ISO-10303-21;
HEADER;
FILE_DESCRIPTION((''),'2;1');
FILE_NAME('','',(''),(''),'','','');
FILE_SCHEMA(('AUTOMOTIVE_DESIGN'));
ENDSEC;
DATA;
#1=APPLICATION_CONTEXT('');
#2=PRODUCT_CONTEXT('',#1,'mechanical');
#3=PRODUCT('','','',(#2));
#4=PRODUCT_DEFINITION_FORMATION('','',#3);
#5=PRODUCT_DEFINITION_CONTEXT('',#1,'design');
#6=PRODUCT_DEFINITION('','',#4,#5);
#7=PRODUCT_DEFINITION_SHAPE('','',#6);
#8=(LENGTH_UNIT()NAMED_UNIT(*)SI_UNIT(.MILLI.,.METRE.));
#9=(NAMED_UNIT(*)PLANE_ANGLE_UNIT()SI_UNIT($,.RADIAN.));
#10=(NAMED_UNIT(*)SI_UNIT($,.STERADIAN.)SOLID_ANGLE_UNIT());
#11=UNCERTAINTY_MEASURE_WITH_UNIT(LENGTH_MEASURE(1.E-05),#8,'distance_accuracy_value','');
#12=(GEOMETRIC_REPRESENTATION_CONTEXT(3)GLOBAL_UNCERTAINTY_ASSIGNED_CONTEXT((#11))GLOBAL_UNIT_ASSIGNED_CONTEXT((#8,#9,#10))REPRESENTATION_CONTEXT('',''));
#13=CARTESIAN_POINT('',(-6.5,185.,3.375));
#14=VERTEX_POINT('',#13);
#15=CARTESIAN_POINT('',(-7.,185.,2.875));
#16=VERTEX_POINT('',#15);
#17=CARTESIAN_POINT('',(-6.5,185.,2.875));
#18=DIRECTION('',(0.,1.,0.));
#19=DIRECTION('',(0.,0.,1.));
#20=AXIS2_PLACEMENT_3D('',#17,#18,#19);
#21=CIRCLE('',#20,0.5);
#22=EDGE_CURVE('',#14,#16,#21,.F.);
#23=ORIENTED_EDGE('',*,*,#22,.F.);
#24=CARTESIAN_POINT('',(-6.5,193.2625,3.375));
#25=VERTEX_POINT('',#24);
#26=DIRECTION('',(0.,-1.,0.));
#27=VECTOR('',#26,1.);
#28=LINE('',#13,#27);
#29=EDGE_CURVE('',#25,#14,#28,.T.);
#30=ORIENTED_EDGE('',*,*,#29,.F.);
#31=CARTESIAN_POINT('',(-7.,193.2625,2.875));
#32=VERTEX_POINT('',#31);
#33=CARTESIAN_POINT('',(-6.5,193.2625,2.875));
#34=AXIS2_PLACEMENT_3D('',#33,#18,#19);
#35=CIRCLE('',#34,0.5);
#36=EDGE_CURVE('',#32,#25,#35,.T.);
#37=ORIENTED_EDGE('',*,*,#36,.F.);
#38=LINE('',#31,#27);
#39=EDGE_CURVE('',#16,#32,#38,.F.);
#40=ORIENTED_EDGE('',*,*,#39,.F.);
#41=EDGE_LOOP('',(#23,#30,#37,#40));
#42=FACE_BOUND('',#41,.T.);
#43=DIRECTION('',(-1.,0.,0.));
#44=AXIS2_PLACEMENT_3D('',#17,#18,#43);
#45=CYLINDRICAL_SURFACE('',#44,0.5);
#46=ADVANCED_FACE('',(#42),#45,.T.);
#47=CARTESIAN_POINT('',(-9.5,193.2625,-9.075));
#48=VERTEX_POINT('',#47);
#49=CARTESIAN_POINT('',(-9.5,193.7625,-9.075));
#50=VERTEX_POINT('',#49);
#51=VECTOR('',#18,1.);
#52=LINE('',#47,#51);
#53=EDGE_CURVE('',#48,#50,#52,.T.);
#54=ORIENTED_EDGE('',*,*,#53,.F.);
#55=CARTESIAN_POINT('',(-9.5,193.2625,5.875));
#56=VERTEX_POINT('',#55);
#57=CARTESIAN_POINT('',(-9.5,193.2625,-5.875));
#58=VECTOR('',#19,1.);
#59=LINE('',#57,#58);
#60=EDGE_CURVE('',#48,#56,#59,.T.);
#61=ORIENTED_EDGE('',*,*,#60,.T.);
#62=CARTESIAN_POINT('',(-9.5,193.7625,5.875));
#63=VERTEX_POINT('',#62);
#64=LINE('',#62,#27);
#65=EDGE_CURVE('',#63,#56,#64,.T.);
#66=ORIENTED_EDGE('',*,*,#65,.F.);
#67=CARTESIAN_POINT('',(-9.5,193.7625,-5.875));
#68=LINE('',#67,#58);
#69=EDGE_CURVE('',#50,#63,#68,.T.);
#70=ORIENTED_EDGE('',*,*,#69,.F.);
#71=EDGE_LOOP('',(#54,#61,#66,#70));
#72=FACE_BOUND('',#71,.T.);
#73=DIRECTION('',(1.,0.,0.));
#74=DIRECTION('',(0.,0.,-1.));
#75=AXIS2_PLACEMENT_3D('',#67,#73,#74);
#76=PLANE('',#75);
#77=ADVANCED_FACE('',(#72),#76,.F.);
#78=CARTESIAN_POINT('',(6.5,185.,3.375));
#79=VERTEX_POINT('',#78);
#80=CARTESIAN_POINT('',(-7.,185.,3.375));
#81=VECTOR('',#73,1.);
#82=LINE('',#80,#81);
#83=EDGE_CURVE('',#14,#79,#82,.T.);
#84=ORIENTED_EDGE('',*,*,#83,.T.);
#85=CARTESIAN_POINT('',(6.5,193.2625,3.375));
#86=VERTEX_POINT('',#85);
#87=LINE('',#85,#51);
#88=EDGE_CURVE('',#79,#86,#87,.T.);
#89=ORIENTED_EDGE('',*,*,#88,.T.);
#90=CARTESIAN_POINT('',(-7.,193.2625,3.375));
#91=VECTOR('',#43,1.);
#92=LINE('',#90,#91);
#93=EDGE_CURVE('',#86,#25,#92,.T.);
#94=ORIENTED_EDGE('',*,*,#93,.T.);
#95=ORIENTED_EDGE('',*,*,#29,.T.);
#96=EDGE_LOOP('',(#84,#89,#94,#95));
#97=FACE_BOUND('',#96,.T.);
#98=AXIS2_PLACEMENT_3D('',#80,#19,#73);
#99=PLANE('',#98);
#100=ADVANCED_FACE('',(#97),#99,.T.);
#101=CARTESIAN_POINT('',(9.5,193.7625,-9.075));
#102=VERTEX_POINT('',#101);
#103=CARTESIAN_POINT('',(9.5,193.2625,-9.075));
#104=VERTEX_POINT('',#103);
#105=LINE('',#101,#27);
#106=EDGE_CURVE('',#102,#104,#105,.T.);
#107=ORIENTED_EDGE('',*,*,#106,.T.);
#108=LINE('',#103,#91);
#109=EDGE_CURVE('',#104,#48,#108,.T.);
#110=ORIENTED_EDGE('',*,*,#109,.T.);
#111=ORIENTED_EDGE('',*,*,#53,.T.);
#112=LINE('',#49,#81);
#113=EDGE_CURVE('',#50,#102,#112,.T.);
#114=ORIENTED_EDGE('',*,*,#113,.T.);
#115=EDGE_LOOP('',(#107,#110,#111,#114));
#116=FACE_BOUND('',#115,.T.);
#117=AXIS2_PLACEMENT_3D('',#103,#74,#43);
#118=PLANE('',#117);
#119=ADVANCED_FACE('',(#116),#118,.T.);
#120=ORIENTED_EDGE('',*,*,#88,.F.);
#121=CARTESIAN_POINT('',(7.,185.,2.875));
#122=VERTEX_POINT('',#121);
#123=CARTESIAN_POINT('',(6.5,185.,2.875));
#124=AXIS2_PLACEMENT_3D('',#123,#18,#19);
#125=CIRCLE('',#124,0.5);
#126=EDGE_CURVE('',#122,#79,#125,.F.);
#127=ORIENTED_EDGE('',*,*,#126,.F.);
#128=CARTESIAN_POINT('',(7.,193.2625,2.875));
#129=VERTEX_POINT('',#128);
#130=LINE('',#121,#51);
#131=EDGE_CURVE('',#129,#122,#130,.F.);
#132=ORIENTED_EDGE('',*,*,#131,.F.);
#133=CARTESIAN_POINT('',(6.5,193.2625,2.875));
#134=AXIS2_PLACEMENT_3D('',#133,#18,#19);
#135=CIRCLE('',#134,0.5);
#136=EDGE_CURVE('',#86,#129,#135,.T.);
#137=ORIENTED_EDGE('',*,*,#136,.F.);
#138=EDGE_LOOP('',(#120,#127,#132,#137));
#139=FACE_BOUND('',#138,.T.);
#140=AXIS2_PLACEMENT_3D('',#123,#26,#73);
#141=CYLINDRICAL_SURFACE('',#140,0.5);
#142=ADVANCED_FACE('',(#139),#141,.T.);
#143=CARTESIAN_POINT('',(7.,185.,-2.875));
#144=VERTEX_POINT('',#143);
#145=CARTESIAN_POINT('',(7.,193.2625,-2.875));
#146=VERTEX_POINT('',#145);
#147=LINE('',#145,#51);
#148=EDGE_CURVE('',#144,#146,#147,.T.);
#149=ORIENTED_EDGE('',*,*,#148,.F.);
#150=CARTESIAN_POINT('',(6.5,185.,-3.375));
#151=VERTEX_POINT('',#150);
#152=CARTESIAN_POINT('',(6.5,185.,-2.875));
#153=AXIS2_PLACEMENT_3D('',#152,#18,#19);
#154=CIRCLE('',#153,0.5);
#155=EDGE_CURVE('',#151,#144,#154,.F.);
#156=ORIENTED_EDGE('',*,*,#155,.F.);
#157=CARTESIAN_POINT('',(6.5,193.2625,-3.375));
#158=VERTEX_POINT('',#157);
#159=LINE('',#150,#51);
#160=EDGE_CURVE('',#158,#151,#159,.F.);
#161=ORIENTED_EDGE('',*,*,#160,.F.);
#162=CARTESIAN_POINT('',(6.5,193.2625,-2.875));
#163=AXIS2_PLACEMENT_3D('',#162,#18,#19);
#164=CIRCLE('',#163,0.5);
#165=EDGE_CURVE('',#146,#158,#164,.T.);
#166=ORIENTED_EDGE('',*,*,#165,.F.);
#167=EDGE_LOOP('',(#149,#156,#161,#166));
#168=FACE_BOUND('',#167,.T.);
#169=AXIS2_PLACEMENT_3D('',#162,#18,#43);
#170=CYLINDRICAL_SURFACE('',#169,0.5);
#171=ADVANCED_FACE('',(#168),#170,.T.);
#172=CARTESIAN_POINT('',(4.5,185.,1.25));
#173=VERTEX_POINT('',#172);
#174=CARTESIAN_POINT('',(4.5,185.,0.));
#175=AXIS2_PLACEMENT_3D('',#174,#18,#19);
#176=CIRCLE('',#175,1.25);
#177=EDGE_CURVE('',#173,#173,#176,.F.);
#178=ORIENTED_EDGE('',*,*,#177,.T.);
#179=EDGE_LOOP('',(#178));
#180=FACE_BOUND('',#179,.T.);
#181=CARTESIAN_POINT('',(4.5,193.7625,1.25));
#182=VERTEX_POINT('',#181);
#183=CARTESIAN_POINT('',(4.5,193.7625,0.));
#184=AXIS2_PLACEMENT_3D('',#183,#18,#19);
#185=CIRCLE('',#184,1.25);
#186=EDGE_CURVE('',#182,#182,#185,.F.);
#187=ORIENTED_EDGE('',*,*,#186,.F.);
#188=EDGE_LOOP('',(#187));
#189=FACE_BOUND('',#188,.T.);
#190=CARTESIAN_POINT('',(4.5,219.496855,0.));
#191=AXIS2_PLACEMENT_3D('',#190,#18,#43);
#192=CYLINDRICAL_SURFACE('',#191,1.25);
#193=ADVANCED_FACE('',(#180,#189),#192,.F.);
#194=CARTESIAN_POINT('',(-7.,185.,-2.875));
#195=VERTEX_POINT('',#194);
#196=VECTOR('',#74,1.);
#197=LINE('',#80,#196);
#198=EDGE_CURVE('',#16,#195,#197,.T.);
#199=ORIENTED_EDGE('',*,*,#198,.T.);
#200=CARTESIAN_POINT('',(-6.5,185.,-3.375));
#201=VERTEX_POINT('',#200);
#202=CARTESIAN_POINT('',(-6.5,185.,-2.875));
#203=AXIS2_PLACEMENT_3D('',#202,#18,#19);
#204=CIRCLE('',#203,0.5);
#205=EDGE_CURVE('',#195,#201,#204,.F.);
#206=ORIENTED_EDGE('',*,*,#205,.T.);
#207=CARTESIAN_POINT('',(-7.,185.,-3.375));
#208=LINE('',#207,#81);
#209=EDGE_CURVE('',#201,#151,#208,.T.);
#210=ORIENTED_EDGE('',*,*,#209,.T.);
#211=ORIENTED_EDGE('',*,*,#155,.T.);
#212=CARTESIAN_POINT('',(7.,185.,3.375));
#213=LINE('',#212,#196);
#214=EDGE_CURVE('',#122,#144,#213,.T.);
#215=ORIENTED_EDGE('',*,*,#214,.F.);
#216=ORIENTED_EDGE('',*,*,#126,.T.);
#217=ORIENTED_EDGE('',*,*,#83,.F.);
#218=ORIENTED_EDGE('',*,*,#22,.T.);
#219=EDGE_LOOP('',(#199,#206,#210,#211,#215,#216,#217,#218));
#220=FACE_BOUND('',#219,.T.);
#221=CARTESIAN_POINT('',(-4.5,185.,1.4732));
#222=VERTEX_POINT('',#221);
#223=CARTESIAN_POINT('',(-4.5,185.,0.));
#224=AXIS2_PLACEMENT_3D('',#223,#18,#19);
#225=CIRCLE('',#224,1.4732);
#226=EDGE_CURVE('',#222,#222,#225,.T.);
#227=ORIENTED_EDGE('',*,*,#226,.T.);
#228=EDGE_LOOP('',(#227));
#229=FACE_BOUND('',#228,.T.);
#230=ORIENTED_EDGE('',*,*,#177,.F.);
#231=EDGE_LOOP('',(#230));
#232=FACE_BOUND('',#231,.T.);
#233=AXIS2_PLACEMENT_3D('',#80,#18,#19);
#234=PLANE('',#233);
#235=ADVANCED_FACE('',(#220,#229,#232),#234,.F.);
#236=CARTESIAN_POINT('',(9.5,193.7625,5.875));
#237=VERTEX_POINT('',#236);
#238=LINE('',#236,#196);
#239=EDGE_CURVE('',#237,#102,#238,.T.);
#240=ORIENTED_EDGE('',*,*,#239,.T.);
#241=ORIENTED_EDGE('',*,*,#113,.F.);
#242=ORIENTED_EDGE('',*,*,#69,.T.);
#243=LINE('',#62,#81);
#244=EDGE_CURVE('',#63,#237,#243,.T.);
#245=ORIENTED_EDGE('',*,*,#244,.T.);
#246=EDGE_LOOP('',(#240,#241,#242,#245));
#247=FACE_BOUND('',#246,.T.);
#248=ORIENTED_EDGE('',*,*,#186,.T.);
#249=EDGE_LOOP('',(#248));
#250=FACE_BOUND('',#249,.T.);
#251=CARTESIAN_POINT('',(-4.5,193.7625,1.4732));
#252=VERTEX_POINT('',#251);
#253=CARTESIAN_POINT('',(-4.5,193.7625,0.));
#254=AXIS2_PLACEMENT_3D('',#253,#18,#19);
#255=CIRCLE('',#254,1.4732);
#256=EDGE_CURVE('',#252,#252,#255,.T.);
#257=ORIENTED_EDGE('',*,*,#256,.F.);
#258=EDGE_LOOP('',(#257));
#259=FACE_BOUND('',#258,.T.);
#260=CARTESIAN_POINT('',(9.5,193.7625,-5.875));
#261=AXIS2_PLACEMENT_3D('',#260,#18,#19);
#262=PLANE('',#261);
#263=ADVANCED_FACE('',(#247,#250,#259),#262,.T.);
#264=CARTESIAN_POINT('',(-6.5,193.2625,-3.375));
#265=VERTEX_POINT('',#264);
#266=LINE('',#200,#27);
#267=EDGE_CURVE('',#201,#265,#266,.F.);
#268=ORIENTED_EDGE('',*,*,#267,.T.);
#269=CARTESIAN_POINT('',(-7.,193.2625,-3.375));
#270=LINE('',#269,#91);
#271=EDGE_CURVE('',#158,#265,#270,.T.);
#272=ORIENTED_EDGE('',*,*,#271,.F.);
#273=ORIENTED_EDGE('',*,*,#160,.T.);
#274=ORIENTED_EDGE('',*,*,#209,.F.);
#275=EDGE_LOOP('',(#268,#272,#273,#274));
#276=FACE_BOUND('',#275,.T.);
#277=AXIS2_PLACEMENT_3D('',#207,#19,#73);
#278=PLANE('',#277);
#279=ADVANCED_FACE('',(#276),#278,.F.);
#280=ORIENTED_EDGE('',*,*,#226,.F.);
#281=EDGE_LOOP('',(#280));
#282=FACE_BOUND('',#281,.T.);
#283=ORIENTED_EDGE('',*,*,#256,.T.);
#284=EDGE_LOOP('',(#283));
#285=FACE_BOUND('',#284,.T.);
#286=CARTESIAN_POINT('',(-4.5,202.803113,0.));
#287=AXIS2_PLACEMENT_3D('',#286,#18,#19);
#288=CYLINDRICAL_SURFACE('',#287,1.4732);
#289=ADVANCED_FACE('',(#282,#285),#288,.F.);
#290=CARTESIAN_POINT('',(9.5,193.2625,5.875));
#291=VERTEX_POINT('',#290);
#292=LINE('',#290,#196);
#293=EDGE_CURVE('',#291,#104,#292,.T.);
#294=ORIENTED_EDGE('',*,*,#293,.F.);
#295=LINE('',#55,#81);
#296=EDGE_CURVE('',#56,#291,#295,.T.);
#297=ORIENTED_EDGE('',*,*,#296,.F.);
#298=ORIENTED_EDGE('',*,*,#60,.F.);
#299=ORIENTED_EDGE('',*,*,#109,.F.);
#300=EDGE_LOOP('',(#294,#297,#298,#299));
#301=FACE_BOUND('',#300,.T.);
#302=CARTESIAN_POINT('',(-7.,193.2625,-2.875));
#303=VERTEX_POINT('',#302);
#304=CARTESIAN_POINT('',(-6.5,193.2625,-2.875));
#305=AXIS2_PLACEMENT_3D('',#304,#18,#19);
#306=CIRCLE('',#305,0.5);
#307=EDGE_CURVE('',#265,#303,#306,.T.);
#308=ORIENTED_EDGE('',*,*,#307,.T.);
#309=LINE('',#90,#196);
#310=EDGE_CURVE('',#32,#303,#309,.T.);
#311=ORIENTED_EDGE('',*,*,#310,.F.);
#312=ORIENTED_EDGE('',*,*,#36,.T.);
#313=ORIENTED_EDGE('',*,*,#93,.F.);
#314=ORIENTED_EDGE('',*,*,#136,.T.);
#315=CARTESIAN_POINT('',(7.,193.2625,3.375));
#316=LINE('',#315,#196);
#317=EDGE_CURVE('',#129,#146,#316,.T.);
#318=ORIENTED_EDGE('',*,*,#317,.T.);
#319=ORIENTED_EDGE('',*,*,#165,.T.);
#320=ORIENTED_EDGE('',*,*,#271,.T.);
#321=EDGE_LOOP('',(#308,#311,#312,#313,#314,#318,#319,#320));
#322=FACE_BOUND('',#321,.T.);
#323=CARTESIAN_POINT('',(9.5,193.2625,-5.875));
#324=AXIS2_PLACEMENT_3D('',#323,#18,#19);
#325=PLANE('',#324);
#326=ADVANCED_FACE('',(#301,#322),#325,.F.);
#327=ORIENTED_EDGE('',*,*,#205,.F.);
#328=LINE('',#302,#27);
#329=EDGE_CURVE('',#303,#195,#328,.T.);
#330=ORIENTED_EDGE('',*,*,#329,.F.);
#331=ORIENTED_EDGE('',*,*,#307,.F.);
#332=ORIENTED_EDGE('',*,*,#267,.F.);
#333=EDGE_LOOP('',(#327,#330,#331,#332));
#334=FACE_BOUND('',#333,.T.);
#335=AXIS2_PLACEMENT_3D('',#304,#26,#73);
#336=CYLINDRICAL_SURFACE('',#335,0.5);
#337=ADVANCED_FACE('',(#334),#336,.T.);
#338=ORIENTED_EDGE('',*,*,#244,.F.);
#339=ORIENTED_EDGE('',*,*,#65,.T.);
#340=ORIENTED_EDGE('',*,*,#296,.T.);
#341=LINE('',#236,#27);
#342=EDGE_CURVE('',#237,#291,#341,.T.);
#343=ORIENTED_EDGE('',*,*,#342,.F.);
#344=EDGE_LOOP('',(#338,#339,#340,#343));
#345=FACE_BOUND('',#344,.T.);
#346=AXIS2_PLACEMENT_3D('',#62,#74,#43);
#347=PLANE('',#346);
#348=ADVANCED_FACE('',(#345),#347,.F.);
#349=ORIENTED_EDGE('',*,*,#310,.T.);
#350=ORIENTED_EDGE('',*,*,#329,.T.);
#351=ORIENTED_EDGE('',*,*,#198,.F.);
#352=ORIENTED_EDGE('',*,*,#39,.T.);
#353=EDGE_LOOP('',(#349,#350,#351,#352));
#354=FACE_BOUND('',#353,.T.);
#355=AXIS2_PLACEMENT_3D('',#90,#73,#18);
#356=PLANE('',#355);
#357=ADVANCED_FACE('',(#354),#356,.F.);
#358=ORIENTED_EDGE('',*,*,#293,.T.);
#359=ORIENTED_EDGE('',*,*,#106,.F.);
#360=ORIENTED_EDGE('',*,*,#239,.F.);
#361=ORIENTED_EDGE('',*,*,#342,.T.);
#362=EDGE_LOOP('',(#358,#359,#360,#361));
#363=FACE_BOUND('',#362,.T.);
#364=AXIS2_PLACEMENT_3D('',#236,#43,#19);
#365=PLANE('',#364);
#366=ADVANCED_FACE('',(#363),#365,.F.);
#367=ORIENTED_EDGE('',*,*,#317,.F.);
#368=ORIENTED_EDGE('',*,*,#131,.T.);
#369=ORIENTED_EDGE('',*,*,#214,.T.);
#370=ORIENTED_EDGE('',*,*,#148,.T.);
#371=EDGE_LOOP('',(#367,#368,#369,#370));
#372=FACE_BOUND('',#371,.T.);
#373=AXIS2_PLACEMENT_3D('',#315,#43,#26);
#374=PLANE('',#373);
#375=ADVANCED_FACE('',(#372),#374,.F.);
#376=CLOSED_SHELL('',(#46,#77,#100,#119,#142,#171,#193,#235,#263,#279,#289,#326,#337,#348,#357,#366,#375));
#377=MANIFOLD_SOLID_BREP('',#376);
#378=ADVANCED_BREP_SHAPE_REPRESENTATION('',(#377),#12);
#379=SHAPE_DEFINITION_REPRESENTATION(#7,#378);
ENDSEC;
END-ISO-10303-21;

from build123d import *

# Parameters (mm, degrees)
SKETCH1_W           = 14
SKETCH1_H           = 8.2625
EXTRUDE1_DEPTH      = 3.375
SKETCH4_W           = 19
SKETCH4_H           = 11.75
EXTRUDE2_DEPTH      = 0.5
SKETCH2_W           = 1.4732
SKETCH2_H           = 16.500973173
SKETCH3_W           = 1.25
SKETCH3_H           = 20
FILLET1_R           = 0.5
SKETCH6_W           = 19
SKETCH6_H           = 0.5
BOSS_EXTRUDE2_DEPTH = 3.2


with BuildPart() as part:
    # Sketch1 → Extrude1 (new body, symmetric)
    with BuildSketch(Plane.XY):
        with Locations((0, 189.13125)):
            Rectangle(SKETCH1_W, SKETCH1_H)
    extrude(amount=EXTRUDE1_DEPTH, both=True)

    # Sketch4 → Extrude2 (add)
    with BuildSketch(Plane(origin=(0, 193.2625, 0), x_dir=(1, 0, 0), z_dir=(0, 1, 0))):
        Rectangle(SKETCH4_W, SKETCH4_H)
    extrude(amount=EXTRUDE2_DEPTH)

    # Sketch2 → Cut-Revolve1 (revolve, cut)
    with BuildSketch(Plane(origin=(9.451328919, 219.930638069, 0), x_dir=(1, 0, 0), z_dir=(0, 0, -1)), mode=Mode.PRIVATE) as cut_revolve1_sk:
        with Locations((-13.214728919, 29.739409073)):
            Rectangle(SKETCH2_W, SKETCH2_H)
    revolve(cut_revolve1_sk.sketch.rotate(Axis((-4.5, 202.803113019, 0), (0, -1, 0)), 90), axis=Axis((-4.5, 202.803113019, 0), (0, -1, 0)), mode=Mode.SUBTRACT)  # turned: the seam where the file's is

    # Sketch3 → Cut-Revolve2 (revolve, cut)
    with BuildSketch(Plane.XY, mode=Mode.PRIVATE) as cut_revolve2_sk:
        with Locations((5.125, 191.895853695)):
            Rectangle(SKETCH3_W, SKETCH3_H)
    revolve(cut_revolve2_sk.sketch.rotate(Axis((4.5, 219.496854939, 0), (0, -1, 0)), 90), axis=Axis((4.5, 219.496854939, 0), (0, -1, 0)), mode=Mode.SUBTRACT)  # turned: the seam where the file's is

    # Fillet1
    fillet1_edges = [part.edges().sort_by_distance(p)[0] for p in [
        (7, 189.13125, 3.375),
        (-7, 189.13125, 3.375),
        (7, 189.13125, -3.375),
        (-7, 189.13125, -3.375),
    ]]
    fillet(fillet1_edges, radius=FILLET1_R)

    # Sketch6 → Boss-Extrude2 (add)
    with BuildSketch(Plane(origin=(0, 0, -5.875), x_dir=(-1, 0, 0), z_dir=(0, 0, -1))):
        with Locations((0, 193.5125)):
            Rectangle(SKETCH6_W, SKETCH6_H)
    extrude(amount=BOSS_EXTRUDE2_DEPTH)


solid = part.part
